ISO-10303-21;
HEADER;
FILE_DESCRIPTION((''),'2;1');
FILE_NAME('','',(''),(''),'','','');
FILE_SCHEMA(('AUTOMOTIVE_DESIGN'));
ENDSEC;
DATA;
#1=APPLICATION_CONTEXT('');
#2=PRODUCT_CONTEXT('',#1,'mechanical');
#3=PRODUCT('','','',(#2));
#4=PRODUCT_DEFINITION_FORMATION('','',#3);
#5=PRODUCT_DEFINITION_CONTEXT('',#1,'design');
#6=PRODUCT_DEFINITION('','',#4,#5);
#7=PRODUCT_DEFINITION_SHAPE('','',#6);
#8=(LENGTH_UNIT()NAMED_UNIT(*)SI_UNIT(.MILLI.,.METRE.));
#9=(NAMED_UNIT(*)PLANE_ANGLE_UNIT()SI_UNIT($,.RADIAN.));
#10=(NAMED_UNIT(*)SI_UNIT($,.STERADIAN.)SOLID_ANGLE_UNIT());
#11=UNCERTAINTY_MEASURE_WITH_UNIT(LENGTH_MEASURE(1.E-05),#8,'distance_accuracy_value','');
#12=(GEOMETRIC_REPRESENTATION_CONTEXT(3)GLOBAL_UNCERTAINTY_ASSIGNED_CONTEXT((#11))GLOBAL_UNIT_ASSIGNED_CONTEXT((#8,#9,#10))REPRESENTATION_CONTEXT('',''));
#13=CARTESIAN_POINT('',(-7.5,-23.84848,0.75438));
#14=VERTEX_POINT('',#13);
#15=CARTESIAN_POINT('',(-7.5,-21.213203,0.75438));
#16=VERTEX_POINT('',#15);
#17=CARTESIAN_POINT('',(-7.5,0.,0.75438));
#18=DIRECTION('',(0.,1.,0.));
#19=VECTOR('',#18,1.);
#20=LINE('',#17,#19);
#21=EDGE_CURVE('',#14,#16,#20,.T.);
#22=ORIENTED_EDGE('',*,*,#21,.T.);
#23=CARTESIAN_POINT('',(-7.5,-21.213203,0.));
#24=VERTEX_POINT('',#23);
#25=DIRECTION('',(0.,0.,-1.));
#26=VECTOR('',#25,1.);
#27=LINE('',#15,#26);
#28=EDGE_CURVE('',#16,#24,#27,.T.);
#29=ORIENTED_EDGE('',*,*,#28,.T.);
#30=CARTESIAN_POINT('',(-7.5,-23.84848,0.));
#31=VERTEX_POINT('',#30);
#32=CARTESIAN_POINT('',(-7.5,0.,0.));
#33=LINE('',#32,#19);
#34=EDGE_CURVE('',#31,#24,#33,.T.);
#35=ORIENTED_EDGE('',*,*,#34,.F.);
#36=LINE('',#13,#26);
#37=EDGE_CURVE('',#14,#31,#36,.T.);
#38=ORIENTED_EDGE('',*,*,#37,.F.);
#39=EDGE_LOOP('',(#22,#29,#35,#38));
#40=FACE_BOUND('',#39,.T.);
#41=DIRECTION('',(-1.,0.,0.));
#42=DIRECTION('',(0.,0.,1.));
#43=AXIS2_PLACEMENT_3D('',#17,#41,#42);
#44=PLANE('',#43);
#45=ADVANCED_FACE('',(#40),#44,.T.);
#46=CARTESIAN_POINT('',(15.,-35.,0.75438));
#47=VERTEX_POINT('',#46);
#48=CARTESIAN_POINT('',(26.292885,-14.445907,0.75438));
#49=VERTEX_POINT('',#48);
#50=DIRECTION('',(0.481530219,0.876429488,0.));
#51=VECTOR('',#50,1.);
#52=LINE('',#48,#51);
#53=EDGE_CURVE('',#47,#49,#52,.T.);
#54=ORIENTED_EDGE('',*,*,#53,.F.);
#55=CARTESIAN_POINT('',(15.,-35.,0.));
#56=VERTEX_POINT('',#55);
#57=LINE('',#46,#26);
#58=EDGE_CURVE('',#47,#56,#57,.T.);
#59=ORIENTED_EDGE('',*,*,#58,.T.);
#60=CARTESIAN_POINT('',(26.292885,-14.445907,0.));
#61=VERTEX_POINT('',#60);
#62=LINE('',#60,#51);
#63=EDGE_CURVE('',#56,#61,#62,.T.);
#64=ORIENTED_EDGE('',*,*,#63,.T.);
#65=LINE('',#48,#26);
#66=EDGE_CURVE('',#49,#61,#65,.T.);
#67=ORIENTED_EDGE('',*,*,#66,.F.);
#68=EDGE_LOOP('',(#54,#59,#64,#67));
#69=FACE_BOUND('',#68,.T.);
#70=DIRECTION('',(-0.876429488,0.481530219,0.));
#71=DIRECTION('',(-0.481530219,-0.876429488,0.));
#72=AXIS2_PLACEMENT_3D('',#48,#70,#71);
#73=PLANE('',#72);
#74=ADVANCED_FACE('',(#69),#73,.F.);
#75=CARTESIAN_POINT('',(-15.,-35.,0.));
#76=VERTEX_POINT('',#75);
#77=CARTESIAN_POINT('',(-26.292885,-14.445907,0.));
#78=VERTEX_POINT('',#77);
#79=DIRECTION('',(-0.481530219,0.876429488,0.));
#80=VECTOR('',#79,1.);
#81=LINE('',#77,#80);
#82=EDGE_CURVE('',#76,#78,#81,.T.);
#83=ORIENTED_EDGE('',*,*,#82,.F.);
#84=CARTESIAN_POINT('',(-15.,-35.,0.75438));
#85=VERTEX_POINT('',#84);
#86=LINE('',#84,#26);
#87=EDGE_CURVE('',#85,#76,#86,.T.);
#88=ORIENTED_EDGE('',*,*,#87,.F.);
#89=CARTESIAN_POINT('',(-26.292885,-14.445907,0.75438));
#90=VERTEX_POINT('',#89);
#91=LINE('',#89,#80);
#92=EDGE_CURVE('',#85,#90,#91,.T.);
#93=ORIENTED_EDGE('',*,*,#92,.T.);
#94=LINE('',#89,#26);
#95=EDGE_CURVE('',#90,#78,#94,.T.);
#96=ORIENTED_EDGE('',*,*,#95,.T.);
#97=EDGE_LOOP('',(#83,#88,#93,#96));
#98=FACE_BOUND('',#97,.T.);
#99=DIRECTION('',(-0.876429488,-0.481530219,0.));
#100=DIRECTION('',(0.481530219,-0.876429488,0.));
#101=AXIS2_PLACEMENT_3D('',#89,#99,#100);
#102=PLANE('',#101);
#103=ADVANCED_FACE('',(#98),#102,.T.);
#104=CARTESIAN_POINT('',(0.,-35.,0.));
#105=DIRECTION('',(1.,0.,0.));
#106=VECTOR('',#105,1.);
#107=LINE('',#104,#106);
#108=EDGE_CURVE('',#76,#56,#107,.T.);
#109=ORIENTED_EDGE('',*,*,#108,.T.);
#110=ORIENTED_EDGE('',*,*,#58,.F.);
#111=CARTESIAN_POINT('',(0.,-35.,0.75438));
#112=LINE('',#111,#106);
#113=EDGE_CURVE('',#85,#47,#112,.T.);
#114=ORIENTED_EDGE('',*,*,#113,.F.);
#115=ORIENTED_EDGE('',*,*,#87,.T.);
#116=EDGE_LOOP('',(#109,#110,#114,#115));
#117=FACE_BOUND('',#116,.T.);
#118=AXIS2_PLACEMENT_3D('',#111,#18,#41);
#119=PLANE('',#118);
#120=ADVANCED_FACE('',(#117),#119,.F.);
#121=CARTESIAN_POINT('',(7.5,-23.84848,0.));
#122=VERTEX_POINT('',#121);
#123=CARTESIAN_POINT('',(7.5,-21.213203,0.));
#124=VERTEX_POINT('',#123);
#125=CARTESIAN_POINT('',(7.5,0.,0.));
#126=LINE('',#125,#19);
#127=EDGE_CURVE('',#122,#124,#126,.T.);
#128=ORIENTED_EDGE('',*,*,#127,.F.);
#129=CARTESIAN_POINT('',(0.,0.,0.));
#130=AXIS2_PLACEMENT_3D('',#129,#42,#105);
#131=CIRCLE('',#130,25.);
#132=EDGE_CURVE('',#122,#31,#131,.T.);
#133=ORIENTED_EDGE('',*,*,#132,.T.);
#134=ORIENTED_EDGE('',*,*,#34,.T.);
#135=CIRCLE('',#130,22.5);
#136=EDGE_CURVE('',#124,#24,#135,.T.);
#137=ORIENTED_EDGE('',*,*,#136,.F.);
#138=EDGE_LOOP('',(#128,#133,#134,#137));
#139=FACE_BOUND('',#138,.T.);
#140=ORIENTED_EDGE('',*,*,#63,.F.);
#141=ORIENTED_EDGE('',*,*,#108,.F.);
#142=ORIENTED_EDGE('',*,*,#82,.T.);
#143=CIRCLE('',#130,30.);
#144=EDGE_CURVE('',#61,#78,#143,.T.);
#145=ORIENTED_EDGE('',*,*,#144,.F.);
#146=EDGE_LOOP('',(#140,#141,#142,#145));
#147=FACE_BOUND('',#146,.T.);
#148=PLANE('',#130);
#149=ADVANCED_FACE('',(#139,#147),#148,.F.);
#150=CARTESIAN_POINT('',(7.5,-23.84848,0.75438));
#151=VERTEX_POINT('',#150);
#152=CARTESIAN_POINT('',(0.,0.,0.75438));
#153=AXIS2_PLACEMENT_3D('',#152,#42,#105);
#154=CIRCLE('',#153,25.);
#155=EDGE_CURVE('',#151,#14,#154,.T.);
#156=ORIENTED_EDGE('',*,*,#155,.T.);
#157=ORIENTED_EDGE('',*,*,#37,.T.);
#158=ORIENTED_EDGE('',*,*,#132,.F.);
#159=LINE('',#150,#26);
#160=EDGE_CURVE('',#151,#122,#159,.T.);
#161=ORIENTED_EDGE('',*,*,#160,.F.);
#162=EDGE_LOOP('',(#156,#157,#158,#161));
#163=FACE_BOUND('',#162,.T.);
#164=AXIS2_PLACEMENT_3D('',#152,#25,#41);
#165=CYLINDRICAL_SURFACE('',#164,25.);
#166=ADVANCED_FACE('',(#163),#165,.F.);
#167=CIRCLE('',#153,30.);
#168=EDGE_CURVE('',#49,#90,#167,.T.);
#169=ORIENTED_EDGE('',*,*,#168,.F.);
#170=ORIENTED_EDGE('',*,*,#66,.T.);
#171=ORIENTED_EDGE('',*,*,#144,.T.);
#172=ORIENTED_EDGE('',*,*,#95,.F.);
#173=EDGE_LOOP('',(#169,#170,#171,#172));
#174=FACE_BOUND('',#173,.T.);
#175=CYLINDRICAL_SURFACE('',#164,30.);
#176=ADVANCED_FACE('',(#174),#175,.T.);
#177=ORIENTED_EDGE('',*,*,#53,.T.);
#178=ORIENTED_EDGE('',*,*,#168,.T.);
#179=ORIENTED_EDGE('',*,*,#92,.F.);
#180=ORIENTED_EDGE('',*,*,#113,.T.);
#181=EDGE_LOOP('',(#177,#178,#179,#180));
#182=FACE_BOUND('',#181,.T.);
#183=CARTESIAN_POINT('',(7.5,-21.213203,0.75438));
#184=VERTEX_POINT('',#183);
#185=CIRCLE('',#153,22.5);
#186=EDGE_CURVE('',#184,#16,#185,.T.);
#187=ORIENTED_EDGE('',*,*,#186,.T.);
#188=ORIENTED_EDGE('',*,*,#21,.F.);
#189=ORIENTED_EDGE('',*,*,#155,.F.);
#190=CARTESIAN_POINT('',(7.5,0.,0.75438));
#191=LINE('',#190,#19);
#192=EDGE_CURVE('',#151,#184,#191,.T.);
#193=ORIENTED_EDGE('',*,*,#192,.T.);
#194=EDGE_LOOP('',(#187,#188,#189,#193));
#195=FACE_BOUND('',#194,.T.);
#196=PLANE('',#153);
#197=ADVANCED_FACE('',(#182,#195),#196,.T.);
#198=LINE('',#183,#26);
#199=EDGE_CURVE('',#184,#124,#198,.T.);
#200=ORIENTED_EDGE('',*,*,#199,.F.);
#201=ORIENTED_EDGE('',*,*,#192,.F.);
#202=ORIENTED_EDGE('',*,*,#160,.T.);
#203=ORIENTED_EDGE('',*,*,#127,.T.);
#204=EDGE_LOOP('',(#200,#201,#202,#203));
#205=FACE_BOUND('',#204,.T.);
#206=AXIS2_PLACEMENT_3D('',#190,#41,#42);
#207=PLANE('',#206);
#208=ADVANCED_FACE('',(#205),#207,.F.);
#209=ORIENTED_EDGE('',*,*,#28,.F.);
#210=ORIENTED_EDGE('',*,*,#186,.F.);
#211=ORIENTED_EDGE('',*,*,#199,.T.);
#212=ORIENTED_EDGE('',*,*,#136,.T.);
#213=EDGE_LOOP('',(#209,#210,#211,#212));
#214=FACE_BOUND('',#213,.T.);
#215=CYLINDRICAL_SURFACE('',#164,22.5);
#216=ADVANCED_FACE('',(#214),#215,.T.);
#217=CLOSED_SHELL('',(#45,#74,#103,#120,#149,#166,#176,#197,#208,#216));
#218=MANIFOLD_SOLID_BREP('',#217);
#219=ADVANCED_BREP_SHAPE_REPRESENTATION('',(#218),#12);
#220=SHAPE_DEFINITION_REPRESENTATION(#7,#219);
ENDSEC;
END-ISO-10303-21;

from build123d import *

# Parameters (mm, degrees)
BOSS_EXTRUDE1_DEPTH = 0.75438


with BuildPart() as part:
    # Sketch1 → Boss-Extrude1 (new body)
    with BuildSketch(Plane.XY):
        with BuildLine():
            Line((-15, -35), (15, -35))
            Line((15, -35), (26.292884648, -14.44590658))
            ThreePointArc((26.292884648, -14.44590658), (0, 30), (-26.292884648, -14.44590658))
            Line((-26.292884648, -14.44590658), (-15, -35))
        make_face()
        with BuildLine():
            Line((-7.5, -23.848480035), (-7.5, -21.213203436))
            ThreePointArc((-7.5, -21.213203436), (0, 22.5), (7.5, -21.213203436))
            Line((7.5, -21.213203436), (7.5, -23.848480035))
            ThreePointArc((7.5, -23.848480035), (0, 25), (-7.5, -23.848480035))
        make_face(mode=Mode.SUBTRACT)
    extrude(amount=BOSS_EXTRUDE1_DEPTH)


solid = part.part
